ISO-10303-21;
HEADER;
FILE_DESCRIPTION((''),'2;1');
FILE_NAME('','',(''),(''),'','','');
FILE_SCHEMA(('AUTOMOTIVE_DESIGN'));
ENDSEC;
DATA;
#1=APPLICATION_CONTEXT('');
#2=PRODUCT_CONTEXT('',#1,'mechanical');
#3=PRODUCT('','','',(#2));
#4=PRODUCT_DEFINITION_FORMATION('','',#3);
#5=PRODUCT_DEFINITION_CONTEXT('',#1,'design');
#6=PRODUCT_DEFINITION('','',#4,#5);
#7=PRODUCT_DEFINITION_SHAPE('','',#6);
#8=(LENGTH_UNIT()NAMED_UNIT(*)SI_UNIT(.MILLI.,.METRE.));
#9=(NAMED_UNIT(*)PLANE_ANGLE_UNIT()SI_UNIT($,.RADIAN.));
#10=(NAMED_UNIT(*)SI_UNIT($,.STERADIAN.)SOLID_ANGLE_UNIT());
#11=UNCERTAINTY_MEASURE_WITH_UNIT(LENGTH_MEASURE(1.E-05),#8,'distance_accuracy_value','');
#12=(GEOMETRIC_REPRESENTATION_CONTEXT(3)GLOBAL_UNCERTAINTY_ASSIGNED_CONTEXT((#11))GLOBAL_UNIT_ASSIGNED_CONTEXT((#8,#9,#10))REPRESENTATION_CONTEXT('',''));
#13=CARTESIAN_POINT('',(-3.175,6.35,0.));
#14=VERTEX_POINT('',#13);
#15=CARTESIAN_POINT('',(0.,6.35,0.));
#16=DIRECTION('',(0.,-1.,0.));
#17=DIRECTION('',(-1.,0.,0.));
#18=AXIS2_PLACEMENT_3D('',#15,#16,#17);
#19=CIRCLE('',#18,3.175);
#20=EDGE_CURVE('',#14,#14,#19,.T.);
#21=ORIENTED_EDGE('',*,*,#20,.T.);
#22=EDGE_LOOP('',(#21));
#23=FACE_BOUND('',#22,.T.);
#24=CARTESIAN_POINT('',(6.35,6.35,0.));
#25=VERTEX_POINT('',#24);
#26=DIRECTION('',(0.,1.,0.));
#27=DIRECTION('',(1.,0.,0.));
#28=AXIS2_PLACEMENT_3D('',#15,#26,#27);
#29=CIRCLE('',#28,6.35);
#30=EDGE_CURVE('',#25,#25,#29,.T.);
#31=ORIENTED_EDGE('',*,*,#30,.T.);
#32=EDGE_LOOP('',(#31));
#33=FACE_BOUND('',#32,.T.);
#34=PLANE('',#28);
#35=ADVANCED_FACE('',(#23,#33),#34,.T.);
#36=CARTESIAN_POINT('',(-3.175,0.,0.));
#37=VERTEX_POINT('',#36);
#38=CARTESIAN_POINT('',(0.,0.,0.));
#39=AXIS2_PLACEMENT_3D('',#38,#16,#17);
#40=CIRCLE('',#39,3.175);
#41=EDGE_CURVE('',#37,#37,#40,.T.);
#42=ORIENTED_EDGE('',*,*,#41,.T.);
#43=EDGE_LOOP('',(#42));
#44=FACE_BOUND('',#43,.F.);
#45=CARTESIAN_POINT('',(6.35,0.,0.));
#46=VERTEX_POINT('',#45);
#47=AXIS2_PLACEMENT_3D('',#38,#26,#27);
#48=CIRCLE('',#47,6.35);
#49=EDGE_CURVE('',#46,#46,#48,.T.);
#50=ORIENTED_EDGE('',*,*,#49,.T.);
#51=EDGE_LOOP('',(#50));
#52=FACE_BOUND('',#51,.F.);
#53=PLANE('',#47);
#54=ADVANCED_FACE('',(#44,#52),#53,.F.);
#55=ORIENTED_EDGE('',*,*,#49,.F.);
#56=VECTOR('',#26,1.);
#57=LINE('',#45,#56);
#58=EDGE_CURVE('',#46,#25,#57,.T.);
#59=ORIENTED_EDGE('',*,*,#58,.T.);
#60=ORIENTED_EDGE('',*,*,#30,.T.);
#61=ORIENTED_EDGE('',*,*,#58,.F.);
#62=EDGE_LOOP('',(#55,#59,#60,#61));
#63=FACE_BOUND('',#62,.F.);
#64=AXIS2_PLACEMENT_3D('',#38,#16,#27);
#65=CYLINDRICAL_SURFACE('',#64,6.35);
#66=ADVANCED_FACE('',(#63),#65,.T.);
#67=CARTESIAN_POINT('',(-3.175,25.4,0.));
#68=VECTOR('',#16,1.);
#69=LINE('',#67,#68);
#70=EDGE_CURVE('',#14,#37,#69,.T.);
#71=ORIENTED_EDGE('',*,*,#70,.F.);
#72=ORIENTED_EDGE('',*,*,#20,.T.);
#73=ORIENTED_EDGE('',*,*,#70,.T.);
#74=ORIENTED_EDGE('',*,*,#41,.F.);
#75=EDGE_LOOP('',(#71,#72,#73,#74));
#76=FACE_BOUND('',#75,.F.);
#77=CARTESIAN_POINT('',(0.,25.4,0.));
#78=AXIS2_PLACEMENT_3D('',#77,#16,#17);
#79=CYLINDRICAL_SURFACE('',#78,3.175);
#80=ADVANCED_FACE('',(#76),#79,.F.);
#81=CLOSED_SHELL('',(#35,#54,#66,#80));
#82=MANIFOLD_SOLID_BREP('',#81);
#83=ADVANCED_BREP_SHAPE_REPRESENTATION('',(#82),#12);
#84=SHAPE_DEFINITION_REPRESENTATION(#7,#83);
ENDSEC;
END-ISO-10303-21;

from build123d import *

# Parameters (mm, degrees)
SKETCH2_R               = 6.35
BOSS_EXTRUDE1_DEPTH     = 6.35
F_1_4_20_TAPPED_HOLE1_D = 6.35


with BuildPart() as part:
    # Sketch2 → Boss-Extrude1 (new body)
    with BuildSketch(Plane(origin=(0, 0, 0), x_dir=(1, 0, 0), z_dir=(0, 1, 0))):
        Circle(SKETCH2_R)
    extrude(amount=BOSS_EXTRUDE1_DEPTH)

    # 1/4-20 Tapped Hole1 (through all)
    with Locations(Plane(origin=(0, 6.35, 0), x_dir=(1, 0, 0), z_dir=(0, 1, 0))):
        with Locations((0, 0)):
            Hole(F_1_4_20_TAPPED_HOLE1_D / 2)


solid = part.part
